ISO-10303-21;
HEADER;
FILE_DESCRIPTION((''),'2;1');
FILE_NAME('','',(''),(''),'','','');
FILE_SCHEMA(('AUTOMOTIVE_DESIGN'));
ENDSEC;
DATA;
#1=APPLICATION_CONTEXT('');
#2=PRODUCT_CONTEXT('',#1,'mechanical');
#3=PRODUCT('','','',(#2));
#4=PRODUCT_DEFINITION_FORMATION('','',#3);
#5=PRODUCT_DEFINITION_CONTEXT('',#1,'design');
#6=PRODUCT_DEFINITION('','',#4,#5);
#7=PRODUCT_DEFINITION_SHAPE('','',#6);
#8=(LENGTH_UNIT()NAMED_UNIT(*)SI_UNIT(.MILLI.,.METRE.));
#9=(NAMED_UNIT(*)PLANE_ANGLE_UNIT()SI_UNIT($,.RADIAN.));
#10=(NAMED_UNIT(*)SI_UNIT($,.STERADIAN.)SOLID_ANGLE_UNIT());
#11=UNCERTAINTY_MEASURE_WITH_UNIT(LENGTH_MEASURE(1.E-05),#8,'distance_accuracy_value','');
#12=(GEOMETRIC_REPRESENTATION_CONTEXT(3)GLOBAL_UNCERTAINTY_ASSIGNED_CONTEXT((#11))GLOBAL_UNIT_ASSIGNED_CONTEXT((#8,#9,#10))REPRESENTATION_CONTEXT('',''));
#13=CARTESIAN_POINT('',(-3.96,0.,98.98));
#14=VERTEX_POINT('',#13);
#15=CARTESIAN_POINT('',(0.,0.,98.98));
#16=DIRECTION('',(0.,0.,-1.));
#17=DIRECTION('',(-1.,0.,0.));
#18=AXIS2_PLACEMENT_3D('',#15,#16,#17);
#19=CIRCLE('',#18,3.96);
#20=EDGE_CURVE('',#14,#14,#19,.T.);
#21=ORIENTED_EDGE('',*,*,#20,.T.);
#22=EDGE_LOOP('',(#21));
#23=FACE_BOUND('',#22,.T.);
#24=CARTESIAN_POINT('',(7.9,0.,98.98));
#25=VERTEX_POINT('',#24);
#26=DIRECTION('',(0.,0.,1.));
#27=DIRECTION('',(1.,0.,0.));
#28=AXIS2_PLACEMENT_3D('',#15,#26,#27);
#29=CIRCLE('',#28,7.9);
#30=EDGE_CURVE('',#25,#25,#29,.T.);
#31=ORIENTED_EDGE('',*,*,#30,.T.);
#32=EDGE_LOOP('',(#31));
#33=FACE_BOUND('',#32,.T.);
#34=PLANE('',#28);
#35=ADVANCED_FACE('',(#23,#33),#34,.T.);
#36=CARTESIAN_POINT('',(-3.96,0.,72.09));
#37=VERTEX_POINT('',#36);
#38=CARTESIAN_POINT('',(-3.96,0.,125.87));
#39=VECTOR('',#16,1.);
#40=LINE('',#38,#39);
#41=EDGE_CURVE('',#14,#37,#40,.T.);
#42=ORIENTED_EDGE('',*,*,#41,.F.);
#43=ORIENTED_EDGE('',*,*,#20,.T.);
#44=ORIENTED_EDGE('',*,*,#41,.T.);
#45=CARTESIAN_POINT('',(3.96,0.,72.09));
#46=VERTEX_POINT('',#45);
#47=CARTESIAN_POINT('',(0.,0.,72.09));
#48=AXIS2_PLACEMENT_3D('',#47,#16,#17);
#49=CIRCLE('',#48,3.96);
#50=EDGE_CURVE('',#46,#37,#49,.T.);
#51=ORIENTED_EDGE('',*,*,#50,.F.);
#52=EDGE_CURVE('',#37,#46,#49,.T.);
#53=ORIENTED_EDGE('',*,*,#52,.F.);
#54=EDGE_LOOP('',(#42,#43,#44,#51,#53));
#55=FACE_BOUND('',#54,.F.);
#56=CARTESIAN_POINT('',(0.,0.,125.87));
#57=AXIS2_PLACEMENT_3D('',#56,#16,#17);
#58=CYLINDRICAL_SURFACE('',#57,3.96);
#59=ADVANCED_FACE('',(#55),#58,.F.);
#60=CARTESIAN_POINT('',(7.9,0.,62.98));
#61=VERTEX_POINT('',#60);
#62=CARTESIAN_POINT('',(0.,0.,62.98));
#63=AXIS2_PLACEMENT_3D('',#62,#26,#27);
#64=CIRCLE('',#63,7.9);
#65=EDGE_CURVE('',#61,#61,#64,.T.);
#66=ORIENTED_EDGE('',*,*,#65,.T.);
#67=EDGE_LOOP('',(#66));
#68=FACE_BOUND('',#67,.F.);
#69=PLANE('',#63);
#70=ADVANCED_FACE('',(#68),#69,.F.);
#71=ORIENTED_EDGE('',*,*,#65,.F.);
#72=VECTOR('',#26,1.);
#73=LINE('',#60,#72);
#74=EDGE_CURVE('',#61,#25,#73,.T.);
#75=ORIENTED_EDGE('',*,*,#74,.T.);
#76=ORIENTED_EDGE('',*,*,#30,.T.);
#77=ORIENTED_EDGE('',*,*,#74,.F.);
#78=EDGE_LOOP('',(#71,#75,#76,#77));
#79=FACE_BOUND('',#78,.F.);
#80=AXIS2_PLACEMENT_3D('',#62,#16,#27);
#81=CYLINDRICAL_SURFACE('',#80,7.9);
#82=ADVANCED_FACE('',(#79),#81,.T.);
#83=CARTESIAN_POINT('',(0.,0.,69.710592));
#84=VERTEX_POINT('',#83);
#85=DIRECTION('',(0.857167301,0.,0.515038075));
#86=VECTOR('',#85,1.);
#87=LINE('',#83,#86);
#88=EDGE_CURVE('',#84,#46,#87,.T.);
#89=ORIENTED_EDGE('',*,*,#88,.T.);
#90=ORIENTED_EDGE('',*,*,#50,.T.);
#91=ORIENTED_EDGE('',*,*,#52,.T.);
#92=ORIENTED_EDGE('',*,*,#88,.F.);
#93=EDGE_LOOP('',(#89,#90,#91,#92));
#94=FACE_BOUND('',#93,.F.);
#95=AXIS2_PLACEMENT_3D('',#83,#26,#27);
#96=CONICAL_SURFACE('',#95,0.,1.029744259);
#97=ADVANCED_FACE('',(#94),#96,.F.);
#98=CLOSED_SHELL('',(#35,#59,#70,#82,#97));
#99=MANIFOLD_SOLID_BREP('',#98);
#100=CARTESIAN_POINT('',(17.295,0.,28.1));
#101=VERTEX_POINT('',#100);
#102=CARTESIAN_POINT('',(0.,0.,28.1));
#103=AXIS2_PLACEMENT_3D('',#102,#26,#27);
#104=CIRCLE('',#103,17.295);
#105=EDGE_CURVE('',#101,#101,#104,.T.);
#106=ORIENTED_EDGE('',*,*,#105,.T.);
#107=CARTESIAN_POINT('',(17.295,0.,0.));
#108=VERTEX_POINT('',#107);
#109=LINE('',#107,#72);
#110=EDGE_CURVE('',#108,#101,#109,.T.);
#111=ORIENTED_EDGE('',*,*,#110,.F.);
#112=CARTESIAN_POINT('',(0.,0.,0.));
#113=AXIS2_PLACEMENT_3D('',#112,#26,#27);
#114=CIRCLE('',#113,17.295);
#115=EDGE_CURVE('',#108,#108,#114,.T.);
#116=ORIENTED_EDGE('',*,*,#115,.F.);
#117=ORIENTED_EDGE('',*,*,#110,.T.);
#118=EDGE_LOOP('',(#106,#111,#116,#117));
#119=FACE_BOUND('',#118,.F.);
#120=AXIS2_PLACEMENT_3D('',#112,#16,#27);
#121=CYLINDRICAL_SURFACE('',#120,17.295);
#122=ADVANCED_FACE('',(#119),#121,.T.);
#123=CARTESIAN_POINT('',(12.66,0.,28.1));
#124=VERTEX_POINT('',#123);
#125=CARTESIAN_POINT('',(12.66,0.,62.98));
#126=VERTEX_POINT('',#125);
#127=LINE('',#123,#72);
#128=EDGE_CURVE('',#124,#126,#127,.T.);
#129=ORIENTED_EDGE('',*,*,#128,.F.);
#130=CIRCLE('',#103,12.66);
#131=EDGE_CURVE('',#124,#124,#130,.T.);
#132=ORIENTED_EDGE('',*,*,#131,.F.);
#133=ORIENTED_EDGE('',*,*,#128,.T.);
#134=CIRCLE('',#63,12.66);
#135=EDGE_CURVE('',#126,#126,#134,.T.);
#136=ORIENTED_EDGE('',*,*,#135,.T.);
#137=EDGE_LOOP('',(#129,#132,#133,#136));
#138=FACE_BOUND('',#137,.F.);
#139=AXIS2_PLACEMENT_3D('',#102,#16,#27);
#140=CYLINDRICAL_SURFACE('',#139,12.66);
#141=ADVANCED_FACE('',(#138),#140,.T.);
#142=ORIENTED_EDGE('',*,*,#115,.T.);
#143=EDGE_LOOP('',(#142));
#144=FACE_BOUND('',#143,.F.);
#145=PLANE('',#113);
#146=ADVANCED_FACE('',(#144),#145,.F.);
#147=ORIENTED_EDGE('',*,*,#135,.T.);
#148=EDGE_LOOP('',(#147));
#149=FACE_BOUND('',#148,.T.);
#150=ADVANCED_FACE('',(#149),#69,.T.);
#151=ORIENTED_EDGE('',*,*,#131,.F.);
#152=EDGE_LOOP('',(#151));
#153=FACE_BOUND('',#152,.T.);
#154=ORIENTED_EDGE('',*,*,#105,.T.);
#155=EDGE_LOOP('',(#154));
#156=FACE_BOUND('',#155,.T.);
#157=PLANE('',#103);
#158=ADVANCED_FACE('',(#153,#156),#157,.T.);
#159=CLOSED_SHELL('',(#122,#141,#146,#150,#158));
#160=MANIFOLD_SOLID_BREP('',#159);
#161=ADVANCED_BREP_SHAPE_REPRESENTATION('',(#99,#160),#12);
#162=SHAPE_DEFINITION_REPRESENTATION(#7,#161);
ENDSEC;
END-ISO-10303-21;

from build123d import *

# Parameters (mm, degrees)
F0_R     = 17.295
F1_DEPTH = 28.1
F2_R     = 12.66
F3_DEPTH = 34.88
F4_R     = 7.9
F5_DEPTH = 36
F7_D     = 7.92
F7_DEPTH = 26.89
F7_TIP   = 2.3794080513


with BuildPart() as f1:
    # F0 (on Top) → F1 (new body)
    with BuildSketch(Plane.XY):
        Circle(F0_R)
    extrude(amount=F1_DEPTH)

    # F2 (on face) → F3 (join)
    with BuildSketch(Plane.XY.offset(28.1)):
        Circle(F2_R)
    extrude(amount=F3_DEPTH)


with BuildPart() as f5:
    # F4 (on face) → F5 (new body)
    with BuildSketch(Plane.XY.offset(62.98)):
        Circle(F4_R)
    extrude(amount=F5_DEPTH)

    # F7
    with Locations(Plane.XY.offset(98.98)):
        with Locations((0, 0)):
            Hole(F7_D / 2, depth=F7_DEPTH)
            with Locations((0, 0, -(F7_DEPTH + F7_TIP / 2))):  # 118° drill point
                Cone(0, F7_D / 2, F7_TIP, mode=Mode.SUBTRACT)


solid = Compound([f1.part, f5.part])
